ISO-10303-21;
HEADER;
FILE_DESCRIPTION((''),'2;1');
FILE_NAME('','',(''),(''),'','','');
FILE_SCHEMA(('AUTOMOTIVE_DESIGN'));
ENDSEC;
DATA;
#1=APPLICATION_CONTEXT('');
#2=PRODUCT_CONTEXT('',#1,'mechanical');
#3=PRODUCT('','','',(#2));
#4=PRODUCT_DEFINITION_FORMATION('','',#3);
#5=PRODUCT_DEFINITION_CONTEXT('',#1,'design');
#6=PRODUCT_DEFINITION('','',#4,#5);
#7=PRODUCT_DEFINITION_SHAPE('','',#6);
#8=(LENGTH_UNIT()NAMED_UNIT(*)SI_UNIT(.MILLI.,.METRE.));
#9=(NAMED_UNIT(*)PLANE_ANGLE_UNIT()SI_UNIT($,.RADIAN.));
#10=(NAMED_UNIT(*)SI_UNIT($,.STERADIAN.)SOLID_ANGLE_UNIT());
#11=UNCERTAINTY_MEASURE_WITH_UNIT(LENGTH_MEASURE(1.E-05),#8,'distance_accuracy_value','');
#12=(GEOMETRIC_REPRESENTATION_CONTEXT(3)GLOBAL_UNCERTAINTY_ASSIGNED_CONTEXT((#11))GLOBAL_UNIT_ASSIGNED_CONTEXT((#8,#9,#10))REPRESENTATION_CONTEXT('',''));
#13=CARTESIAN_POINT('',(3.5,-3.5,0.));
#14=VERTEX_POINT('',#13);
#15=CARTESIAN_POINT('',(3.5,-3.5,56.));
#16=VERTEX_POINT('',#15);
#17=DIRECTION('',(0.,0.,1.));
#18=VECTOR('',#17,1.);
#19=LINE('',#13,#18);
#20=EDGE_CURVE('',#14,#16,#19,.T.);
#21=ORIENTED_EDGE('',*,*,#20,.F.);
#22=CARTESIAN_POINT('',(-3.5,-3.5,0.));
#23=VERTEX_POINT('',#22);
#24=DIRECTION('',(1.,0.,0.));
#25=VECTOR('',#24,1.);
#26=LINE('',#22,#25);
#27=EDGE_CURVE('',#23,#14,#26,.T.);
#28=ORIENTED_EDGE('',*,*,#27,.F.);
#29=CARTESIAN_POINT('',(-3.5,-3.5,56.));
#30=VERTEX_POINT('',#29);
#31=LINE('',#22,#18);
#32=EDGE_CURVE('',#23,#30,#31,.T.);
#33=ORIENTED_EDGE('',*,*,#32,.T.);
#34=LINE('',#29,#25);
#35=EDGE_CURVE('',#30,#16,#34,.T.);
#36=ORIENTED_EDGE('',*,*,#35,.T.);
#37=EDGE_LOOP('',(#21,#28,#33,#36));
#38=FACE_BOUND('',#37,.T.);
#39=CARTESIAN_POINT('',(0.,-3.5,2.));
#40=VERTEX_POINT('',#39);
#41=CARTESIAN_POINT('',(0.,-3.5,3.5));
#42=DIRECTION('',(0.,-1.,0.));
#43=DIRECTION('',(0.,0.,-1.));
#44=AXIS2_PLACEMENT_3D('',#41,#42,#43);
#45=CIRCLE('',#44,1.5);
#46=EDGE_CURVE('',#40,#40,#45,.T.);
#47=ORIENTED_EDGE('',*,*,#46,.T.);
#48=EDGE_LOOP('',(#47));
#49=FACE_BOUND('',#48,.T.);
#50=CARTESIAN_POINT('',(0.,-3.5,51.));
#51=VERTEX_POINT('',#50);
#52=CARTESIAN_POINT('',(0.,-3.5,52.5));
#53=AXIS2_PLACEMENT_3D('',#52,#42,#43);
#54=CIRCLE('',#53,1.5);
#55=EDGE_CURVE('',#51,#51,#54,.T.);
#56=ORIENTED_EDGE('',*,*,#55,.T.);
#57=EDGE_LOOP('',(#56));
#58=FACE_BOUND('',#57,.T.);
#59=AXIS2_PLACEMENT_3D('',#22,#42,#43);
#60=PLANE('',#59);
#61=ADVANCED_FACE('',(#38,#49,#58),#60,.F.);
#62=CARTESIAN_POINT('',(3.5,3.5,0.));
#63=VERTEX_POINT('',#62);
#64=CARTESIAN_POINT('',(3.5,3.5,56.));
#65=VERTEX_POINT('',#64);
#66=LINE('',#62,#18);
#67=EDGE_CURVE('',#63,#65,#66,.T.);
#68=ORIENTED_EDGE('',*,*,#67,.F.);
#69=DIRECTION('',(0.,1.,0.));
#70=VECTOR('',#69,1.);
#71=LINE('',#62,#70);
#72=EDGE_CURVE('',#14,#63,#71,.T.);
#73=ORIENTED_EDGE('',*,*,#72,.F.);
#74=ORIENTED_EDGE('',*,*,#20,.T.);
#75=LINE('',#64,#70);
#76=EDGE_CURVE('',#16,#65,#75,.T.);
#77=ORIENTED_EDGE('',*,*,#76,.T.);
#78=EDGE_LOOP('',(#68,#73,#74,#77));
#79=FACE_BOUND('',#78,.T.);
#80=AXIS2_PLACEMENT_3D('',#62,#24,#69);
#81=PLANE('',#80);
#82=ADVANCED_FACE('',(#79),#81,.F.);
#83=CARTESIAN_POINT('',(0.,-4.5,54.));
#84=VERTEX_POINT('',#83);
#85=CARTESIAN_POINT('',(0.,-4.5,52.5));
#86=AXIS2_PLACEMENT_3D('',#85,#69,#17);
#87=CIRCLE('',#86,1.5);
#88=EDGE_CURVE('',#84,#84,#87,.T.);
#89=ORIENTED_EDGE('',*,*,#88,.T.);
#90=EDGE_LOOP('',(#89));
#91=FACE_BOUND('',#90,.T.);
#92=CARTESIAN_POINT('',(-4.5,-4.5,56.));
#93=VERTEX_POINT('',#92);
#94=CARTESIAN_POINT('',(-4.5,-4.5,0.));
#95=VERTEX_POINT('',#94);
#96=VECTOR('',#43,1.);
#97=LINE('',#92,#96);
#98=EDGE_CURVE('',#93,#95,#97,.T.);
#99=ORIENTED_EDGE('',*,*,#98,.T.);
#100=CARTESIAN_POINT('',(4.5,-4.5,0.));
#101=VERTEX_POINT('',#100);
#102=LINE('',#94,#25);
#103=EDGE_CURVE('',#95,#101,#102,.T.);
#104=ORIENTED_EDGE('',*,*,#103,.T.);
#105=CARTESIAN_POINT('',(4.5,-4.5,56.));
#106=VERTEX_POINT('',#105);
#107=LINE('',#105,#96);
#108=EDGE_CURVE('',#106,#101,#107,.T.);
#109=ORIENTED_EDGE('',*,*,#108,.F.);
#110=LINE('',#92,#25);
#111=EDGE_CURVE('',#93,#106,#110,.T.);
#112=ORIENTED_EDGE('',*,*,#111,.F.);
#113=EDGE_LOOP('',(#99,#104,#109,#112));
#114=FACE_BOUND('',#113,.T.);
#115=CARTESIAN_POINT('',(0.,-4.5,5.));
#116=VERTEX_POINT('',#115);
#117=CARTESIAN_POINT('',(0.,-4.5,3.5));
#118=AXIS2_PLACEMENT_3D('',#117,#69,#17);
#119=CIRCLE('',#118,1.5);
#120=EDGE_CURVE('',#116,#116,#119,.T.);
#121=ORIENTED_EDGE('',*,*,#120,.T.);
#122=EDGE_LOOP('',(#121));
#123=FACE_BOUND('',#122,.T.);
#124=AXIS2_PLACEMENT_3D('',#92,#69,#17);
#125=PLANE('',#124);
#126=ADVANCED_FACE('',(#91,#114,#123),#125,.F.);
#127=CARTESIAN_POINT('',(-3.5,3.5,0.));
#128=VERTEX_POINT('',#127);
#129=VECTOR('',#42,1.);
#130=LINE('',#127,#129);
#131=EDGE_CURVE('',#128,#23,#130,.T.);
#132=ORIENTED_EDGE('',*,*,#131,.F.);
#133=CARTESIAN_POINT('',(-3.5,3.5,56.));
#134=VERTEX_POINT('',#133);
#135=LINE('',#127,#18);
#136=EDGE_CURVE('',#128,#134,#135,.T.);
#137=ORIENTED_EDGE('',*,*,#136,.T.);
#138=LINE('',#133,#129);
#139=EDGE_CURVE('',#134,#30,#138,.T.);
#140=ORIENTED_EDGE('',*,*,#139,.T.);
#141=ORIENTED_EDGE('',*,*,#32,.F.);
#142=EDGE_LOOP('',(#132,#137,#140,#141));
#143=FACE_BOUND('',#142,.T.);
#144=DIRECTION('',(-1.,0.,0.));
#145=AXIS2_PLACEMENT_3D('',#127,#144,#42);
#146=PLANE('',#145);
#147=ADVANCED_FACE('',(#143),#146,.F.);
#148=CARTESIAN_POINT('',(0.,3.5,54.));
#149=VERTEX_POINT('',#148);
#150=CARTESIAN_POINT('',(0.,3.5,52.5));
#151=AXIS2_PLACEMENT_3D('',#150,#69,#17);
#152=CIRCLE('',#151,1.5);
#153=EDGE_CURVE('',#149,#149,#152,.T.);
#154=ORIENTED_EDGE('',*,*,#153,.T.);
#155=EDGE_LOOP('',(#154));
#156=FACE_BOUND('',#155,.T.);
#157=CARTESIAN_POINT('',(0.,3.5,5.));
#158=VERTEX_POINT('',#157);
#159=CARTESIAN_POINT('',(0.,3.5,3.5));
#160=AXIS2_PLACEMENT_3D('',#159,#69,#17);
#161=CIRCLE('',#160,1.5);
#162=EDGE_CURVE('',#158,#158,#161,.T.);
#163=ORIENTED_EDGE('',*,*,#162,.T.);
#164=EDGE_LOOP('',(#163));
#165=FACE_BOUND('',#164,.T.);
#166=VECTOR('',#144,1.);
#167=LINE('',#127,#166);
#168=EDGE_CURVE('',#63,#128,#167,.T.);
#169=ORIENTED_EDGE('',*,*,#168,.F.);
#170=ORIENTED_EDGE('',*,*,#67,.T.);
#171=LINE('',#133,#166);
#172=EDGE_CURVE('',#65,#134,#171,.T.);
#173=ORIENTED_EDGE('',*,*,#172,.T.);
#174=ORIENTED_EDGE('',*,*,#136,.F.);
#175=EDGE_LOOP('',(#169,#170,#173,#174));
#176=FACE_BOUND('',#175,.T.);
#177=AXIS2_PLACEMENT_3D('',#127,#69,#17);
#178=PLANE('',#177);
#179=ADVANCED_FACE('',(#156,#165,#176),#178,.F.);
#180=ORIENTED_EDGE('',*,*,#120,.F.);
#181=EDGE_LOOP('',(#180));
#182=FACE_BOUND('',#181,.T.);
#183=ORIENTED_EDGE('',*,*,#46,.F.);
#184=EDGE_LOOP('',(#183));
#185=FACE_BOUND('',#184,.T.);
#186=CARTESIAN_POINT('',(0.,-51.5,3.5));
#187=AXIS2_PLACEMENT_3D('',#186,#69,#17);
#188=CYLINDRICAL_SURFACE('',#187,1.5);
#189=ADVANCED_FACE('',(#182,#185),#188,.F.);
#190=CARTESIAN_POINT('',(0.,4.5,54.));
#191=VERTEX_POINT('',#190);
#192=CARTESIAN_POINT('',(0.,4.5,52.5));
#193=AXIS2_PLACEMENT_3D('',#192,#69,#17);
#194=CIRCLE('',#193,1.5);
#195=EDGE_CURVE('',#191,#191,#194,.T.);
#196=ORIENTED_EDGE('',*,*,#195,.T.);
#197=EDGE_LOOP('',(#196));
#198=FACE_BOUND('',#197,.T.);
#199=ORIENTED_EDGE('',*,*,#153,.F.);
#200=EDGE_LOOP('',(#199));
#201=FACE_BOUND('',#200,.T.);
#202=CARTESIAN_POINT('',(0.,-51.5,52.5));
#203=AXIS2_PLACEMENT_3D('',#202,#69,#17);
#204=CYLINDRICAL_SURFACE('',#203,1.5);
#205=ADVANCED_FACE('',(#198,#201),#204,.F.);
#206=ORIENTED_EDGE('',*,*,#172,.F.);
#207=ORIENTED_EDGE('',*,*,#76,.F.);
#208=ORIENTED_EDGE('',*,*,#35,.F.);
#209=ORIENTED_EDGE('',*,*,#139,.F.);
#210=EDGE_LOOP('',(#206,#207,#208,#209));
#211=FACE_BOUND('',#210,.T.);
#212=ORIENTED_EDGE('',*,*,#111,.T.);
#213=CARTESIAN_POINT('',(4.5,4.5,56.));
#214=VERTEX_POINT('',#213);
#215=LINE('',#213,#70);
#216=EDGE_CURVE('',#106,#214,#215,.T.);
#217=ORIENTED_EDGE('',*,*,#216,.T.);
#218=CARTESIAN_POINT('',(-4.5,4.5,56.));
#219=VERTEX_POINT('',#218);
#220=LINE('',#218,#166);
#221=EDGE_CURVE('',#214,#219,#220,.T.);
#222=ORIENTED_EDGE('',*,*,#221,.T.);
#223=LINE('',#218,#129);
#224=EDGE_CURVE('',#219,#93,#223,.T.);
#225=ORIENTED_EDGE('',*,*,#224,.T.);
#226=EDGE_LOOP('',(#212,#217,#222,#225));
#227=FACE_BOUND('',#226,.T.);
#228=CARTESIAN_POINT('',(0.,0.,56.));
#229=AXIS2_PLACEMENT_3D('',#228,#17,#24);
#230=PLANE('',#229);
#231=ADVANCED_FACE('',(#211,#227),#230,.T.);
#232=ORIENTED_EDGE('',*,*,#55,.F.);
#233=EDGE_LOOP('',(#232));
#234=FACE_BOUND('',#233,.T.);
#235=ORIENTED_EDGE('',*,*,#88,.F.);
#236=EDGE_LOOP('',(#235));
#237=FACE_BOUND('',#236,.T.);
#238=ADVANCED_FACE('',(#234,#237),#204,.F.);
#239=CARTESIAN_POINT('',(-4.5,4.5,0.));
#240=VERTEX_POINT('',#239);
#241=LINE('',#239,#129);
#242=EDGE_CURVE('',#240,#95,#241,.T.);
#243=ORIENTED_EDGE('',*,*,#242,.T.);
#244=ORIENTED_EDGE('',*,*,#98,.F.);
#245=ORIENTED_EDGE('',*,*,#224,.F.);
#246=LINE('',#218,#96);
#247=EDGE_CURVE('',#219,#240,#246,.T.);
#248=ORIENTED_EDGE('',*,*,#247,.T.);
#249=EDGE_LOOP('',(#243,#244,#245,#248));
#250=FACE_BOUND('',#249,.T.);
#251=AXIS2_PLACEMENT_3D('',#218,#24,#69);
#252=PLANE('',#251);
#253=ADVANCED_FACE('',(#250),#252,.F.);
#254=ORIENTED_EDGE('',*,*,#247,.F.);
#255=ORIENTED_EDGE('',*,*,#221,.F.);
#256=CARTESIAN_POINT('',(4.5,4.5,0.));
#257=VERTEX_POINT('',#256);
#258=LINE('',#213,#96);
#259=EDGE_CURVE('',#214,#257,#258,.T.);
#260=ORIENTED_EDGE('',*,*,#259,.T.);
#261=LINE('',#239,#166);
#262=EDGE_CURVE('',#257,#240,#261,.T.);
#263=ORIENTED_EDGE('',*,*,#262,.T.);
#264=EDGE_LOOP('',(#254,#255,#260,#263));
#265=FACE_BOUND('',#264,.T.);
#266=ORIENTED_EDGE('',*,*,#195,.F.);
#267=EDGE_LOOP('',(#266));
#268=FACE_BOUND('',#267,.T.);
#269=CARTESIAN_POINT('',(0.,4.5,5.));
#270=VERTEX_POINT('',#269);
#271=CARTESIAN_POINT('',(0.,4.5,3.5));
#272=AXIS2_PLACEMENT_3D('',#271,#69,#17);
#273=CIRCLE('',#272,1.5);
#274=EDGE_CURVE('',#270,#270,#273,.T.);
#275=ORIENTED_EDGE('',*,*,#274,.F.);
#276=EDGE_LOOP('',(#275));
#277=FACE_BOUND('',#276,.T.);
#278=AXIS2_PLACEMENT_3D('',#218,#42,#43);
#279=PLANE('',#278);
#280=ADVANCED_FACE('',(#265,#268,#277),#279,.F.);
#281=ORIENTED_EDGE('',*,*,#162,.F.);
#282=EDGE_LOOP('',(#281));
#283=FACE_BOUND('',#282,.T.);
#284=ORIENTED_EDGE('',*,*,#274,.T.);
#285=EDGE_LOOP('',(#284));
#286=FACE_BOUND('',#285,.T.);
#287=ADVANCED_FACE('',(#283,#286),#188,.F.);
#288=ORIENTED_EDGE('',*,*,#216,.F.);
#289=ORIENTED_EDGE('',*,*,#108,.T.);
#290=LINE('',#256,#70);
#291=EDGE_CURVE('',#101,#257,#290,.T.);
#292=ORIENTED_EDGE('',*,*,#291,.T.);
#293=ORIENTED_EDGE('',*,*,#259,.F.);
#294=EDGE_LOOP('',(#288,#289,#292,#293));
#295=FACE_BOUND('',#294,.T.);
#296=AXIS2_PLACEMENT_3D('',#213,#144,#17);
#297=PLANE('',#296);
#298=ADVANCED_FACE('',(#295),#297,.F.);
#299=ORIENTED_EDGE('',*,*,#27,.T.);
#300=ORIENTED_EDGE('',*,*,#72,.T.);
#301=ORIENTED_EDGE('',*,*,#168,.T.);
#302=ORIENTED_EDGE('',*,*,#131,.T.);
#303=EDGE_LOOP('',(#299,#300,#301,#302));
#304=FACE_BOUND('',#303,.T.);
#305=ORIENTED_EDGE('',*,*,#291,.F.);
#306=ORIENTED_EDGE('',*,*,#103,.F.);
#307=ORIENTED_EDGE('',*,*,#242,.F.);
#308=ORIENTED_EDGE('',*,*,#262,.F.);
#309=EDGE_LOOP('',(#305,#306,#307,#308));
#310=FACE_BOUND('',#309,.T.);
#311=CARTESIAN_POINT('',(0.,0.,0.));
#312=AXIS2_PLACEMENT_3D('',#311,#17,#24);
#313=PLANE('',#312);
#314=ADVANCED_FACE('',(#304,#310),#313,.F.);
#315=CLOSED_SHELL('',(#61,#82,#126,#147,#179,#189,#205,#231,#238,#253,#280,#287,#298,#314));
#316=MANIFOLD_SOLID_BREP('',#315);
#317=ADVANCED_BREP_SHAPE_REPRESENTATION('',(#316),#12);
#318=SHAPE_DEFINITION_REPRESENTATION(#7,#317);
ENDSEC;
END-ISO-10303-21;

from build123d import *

# Parameters (mm, degrees)
SKETCH_1_W          = 9
SKETCH_1_H          = 9
EXTRUDE_1_DEPTH     = 56
SKETCH_2_W          = 7
SKETCH_2_H          = 7
CUT_EXTRUDE_1_DEPTH = 56
SKETCH_3_R          = 1.5
CUT_EXTRUDE_2_DEPTH = 56


with BuildPart() as part:
    # ｽｹｯﾁ1 → ﾎﾞｽ - 押し出し1 (new body)
    with BuildSketch(Plane.XY):
        Rectangle(SKETCH_1_W, SKETCH_1_H)
    extrude(amount=EXTRUDE_1_DEPTH)

    # ｽｹｯﾁ2 → ｶｯﾄ - 押し出し1 (cut)
    with BuildSketch(Plane.XY.offset(56)):
        Rectangle(SKETCH_2_W, SKETCH_2_H)
    extrude(amount=-CUT_EXTRUDE_1_DEPTH, mode=Mode.SUBTRACT)

    # ｽｹｯﾁ3 → ｶｯﾄ - 押し出し2 (cut)
    with BuildSketch(Plane(origin=(0, 4.5, 0), x_dir=(1, 0, 0), z_dir=(0, 1, 0))):
        with Locations((0, -3.5)):
            Circle(SKETCH_3_R)
        with Locations((0, -52.5)):
            Circle(SKETCH_3_R)
    extrude(amount=-CUT_EXTRUDE_2_DEPTH, mode=Mode.SUBTRACT)


solid = part.part
